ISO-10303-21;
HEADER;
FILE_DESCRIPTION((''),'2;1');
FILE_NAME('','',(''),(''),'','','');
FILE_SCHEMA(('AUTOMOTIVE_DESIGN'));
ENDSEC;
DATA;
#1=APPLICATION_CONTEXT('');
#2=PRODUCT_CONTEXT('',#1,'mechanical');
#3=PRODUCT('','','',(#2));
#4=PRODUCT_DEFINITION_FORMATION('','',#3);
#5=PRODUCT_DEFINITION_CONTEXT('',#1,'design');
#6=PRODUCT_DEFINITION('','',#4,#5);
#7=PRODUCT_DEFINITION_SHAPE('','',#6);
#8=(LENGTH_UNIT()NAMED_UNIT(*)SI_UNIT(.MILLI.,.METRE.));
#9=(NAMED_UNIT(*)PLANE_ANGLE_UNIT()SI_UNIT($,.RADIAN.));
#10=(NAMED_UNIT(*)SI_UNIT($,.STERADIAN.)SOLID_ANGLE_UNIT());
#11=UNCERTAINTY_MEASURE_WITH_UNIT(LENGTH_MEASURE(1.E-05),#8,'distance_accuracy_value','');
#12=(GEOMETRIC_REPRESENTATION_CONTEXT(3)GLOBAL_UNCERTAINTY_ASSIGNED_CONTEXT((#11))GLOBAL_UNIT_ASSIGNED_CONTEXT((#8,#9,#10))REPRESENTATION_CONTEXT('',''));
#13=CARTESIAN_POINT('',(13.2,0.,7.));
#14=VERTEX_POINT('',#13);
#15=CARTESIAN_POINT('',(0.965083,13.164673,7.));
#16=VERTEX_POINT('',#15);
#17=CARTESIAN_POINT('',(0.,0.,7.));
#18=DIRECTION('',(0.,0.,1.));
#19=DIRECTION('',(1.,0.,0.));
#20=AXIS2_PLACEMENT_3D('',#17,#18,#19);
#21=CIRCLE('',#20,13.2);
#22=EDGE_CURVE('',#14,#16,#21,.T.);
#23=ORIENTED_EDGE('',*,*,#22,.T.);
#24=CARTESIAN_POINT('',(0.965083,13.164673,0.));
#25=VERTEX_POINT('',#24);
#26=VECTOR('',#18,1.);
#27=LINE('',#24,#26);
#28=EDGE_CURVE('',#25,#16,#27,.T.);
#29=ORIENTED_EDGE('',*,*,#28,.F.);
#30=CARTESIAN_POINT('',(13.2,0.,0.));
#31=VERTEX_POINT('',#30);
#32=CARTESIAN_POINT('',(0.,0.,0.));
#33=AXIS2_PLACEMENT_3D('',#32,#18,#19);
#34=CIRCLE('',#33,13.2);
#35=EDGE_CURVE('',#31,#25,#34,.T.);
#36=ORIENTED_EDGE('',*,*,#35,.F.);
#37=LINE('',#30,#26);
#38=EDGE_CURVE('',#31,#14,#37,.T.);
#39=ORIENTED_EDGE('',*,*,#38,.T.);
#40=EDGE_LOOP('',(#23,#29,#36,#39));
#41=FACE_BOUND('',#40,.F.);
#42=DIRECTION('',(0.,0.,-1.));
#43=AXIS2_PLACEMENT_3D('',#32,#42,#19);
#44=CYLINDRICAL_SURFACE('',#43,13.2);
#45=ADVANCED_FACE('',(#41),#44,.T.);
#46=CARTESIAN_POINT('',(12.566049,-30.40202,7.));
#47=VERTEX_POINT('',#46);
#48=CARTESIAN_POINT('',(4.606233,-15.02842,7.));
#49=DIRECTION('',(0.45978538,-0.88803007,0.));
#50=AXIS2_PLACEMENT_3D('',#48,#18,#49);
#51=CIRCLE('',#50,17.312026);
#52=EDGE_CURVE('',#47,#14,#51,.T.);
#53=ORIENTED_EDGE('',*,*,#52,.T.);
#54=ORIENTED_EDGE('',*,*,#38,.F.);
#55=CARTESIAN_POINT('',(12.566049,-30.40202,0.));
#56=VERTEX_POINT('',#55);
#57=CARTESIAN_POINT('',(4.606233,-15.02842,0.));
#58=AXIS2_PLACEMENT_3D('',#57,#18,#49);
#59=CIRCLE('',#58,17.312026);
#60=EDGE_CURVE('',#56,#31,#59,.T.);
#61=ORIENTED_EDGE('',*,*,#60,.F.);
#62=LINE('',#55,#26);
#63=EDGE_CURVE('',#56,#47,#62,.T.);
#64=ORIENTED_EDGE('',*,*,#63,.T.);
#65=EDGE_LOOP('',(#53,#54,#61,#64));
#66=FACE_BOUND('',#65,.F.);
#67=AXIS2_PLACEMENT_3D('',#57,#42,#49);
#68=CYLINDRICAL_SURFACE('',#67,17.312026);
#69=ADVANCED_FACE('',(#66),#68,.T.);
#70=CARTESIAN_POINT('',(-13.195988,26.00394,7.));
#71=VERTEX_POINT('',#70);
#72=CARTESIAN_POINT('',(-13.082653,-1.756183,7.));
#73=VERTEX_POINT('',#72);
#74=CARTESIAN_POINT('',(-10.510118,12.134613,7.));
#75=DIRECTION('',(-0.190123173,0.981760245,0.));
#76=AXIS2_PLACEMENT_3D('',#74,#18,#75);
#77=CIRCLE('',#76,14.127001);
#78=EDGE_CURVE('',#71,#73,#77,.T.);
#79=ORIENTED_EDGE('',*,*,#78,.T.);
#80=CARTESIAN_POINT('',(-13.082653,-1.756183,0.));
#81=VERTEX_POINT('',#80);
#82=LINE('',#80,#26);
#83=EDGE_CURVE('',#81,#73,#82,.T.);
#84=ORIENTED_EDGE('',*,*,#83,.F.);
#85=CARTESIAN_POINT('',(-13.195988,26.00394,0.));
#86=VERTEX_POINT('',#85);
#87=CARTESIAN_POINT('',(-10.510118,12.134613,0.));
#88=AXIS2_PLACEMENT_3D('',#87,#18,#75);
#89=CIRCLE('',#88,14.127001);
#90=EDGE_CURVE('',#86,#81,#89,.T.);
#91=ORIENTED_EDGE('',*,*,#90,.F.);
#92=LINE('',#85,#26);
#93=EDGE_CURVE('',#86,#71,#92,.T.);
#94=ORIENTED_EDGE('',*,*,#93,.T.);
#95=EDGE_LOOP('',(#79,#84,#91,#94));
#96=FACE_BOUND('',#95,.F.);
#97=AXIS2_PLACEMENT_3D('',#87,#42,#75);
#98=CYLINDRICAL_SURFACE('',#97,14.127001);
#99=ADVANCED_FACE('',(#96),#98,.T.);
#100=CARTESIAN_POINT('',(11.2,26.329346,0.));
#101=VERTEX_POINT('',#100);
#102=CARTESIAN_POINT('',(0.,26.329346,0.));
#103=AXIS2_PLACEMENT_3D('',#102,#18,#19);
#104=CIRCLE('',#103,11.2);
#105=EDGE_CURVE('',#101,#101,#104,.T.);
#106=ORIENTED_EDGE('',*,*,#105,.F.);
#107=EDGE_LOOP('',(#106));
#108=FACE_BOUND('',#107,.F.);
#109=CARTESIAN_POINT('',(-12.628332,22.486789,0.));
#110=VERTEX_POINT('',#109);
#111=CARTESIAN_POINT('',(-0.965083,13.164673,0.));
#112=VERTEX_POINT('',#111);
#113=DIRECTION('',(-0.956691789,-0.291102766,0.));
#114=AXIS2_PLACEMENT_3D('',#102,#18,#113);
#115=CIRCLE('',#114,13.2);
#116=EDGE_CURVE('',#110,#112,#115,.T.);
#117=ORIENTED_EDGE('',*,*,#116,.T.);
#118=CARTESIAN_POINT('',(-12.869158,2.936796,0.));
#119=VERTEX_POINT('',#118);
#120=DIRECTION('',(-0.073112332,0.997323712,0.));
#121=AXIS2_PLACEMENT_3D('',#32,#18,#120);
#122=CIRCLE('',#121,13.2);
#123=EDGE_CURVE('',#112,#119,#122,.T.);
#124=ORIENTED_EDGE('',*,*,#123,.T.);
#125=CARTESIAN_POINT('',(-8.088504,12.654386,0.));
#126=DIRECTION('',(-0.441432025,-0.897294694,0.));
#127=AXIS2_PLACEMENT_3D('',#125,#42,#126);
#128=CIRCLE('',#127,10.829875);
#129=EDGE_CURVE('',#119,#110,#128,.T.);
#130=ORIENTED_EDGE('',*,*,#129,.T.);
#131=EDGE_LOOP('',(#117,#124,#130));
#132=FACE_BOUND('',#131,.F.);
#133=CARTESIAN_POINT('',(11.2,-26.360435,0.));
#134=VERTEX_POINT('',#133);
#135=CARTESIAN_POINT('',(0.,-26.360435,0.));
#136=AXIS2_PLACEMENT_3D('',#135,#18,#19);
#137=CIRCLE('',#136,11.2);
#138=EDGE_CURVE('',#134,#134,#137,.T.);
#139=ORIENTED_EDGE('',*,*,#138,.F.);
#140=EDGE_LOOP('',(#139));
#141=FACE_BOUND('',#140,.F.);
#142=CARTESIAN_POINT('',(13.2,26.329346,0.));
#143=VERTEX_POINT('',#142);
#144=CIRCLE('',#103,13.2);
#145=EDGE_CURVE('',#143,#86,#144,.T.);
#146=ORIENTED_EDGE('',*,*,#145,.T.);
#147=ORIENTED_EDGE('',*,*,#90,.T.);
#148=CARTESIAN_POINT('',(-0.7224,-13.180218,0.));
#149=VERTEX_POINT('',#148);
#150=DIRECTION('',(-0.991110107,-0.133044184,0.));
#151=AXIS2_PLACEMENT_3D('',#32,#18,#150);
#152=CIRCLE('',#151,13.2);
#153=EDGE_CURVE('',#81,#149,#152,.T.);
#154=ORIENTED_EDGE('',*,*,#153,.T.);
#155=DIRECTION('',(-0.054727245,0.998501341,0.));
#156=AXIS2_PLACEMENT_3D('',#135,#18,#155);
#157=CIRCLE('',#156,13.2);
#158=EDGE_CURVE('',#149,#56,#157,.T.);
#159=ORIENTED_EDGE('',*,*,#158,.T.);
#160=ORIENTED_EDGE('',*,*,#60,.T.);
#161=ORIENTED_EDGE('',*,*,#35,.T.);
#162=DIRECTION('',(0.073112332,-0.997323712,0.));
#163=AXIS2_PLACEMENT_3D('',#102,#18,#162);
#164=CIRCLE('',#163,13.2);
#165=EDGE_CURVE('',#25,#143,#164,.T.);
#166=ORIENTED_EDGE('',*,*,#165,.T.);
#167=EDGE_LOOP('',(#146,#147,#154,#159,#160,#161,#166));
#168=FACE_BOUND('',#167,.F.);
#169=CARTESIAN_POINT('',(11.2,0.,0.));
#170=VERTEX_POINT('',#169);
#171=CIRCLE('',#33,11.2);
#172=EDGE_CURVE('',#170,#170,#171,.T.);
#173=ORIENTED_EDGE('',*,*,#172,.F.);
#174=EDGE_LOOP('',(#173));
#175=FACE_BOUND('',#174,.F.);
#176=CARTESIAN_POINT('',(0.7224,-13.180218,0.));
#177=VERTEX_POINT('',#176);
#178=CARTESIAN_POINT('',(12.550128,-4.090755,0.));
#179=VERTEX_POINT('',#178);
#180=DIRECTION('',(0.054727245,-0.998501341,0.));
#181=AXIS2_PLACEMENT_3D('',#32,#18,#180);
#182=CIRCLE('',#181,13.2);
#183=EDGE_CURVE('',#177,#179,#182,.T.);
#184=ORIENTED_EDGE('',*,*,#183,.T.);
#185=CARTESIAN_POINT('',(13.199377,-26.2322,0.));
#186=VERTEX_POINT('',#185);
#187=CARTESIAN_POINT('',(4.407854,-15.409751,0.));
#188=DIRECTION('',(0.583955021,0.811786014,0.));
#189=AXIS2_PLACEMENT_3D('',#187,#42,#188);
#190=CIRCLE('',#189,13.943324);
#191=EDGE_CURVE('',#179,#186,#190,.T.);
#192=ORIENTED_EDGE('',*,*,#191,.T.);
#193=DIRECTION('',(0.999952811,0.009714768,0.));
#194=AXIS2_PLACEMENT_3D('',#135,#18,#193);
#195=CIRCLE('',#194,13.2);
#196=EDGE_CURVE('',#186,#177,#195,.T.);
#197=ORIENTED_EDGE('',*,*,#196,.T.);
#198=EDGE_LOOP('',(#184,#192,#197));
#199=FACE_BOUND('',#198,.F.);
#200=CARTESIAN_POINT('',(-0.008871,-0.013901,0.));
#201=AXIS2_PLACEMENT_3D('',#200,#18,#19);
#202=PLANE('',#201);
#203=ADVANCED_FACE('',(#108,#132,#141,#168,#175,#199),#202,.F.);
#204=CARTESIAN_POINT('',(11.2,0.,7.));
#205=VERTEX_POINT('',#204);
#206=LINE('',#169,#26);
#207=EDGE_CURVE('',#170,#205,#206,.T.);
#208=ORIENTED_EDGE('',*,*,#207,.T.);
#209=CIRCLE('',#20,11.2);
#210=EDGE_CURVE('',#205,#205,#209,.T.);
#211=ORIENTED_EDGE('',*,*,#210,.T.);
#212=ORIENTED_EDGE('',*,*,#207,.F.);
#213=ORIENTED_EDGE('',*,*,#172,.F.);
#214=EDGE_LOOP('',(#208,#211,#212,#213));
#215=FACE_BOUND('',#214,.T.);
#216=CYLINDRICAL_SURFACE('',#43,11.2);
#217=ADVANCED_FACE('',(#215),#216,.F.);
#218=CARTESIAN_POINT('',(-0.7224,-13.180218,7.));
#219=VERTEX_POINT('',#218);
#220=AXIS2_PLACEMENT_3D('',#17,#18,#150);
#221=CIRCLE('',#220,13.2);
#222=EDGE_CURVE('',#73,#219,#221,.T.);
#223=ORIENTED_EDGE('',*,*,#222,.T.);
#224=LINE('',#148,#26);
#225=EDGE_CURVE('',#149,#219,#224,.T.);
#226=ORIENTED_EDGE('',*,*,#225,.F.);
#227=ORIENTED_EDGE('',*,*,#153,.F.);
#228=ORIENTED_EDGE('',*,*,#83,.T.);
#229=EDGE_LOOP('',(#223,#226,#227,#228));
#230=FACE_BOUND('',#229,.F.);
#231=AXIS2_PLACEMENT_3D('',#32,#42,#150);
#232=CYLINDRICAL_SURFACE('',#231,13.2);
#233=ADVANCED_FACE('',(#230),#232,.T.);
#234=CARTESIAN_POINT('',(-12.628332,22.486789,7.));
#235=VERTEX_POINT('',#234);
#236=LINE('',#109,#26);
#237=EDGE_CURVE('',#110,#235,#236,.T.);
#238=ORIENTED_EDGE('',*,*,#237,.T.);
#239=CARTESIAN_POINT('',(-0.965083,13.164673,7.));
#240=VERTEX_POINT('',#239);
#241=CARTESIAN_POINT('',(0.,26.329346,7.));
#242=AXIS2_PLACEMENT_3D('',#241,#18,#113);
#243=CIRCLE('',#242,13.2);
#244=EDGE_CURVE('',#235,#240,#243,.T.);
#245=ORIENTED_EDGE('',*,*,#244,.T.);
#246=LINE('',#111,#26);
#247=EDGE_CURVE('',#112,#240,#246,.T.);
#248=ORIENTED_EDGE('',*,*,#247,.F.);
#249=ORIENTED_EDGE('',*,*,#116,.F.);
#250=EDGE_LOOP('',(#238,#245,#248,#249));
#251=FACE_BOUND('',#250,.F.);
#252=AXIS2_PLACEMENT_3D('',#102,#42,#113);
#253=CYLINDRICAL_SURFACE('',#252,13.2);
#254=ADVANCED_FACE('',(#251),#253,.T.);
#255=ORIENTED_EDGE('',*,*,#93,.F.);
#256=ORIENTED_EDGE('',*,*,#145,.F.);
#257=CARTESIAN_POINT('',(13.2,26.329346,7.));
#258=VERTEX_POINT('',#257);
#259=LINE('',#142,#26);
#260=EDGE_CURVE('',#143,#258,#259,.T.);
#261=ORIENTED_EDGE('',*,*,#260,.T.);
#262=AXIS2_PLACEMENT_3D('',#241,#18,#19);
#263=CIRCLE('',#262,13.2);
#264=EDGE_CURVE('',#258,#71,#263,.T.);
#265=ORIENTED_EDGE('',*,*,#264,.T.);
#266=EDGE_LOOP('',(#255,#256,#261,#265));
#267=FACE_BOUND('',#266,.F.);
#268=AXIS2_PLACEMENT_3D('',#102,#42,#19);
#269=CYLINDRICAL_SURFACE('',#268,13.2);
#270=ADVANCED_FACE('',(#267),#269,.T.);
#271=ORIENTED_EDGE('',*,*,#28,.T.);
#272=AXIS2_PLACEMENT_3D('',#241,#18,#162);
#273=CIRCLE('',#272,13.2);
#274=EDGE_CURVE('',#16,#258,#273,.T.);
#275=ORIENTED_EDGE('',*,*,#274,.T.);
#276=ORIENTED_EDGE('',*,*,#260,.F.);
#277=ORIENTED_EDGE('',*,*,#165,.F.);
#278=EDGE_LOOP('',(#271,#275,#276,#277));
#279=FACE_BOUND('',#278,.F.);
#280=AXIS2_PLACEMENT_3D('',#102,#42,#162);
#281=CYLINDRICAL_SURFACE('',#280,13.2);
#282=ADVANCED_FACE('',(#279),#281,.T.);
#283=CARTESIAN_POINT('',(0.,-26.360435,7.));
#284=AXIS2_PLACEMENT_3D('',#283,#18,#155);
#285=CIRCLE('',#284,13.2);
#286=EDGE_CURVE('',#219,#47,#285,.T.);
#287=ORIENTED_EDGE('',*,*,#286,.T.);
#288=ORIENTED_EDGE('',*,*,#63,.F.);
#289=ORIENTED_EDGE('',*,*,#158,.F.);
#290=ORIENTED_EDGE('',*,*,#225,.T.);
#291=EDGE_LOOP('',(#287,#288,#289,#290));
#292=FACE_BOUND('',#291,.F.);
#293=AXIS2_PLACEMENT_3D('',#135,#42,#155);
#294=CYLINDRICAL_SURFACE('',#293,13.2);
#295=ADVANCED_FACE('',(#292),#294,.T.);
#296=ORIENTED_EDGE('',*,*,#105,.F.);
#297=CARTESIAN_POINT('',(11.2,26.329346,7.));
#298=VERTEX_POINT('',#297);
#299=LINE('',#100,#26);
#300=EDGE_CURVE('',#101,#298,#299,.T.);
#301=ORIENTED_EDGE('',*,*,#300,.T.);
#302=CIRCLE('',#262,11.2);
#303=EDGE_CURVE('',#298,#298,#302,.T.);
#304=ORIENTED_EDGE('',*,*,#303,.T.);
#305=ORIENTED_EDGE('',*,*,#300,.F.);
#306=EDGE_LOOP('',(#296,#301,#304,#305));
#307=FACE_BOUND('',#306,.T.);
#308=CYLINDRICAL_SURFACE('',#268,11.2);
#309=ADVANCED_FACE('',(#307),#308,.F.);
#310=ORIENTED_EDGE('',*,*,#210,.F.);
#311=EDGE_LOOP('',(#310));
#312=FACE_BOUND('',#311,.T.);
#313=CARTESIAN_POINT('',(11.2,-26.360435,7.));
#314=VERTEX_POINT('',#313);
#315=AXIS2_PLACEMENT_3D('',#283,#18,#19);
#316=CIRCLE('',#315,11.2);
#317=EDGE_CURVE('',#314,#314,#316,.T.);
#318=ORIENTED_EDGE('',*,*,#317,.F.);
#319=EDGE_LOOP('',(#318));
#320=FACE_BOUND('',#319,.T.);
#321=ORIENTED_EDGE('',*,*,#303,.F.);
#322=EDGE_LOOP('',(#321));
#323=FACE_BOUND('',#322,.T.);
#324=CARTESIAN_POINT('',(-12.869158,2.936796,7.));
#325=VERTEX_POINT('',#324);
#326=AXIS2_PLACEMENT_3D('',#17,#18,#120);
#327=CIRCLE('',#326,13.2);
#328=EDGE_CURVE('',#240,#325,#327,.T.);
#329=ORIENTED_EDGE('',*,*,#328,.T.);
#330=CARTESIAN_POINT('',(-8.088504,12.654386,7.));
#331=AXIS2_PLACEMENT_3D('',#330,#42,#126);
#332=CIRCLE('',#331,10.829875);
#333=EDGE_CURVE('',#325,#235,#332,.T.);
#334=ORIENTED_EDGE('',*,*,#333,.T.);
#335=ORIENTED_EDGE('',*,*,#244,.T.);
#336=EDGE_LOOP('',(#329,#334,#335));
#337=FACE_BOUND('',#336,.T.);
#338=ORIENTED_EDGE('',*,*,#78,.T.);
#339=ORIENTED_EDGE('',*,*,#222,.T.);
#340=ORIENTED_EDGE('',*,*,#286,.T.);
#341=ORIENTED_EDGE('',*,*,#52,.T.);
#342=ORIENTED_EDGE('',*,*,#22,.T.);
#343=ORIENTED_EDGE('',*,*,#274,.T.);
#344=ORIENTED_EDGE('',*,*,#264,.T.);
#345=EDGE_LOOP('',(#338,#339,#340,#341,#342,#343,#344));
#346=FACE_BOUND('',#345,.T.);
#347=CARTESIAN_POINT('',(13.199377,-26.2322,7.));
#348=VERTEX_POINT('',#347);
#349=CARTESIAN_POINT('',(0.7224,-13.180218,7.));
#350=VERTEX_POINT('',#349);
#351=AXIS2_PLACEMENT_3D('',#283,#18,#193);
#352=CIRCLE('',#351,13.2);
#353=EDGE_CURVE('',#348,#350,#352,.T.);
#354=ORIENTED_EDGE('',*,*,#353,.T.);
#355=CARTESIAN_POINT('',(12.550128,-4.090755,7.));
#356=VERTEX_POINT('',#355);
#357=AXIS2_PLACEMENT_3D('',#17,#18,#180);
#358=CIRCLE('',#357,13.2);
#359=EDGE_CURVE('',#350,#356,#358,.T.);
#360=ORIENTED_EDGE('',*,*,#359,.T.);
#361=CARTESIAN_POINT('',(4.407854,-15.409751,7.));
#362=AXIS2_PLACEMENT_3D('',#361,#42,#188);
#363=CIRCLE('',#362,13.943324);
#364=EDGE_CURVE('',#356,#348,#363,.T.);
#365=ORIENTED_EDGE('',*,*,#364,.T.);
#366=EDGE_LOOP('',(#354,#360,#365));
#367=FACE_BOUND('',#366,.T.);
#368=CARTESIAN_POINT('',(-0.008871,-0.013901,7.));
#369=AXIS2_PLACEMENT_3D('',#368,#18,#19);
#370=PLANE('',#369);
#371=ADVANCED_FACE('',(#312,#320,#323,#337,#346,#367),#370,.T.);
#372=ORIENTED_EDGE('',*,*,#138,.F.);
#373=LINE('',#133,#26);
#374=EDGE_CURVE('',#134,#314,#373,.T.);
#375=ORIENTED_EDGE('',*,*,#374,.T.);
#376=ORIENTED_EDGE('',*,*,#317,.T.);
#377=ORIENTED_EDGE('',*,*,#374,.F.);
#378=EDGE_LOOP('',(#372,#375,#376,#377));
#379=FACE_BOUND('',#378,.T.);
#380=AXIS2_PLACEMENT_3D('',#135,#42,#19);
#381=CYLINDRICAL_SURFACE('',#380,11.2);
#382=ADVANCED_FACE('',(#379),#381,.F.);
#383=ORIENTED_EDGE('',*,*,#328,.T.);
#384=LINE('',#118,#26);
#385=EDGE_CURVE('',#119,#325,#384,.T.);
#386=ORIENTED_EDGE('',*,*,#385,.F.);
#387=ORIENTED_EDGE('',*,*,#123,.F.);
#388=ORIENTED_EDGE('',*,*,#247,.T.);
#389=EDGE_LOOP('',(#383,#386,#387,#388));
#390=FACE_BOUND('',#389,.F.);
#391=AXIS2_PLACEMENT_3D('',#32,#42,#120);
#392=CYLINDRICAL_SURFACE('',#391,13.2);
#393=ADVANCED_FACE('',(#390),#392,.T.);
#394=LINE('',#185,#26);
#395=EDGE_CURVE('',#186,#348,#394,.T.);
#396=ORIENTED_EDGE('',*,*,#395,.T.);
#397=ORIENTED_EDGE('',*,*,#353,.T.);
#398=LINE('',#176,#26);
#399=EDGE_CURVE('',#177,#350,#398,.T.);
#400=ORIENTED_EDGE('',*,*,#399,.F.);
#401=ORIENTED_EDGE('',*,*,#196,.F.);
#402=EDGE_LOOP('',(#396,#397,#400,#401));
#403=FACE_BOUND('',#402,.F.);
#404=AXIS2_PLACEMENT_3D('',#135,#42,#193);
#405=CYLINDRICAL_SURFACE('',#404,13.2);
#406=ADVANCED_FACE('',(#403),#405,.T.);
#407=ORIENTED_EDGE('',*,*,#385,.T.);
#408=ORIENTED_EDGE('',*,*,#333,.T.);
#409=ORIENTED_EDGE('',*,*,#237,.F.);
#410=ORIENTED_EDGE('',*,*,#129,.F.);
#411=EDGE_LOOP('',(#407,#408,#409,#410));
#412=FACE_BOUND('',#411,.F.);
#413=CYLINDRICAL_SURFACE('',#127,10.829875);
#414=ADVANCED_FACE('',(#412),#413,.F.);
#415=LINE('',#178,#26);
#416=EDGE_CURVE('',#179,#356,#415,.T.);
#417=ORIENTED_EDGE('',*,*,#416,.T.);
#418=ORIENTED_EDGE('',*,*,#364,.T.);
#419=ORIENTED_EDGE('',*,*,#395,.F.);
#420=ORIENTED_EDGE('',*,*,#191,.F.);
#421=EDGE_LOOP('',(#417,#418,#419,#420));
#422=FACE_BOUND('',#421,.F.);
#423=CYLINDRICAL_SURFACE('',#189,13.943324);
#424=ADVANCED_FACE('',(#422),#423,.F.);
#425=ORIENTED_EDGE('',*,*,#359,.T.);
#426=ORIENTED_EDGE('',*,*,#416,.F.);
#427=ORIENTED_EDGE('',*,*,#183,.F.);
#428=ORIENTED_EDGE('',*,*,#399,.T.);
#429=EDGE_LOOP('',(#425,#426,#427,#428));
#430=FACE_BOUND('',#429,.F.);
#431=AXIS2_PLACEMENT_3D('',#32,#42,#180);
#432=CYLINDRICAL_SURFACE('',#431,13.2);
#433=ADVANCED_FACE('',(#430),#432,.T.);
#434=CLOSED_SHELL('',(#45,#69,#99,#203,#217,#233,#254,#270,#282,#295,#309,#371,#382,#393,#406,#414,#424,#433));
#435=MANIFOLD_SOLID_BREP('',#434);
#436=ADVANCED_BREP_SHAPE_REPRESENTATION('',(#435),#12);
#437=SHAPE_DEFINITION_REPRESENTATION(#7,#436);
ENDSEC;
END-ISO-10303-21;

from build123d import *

# Parameters (mm, degrees)
F0_R     = 11.2
F1_DEPTH = 7


with BuildPart() as f1:
    # F0 (on Top) → F1 (new body)
    with BuildSketch(Plane.XY):
        with BuildLine():
            ThreePointArc((-0.9650827881, 13.1646730006), (-8.6022624346, 10.012046794), (-12.8691579618, 2.9367964443))
            ThreePointArc((-12.8691579618, 2.9367964443), (-13.1863620091, 0.599880793), (-13.0826534178, -1.7561832335))
            ThreePointArc((-13.0826534178, -1.7561832335), (-8.9594650145, -9.693708612), (-0.722399634, -13.1802177057))
            ThreePointArc((-0.722399634, -13.1802177057), (0, -13.1604354113), (0.722399634, -13.1802177057))
            ThreePointArc((0.722399634, -13.1802177057), (8.0432942537, -10.4663946777), (12.5501283831, -4.0907551342))
            ThreePointArc((12.5501283831, -4.0907551342), (13.0365197552, -2.0710269606), (13.2, 0))
            ThreePointArc((13.2, 0), (9.6689992451, 8.9861256167), (0.9650827881, 13.1646730006))
            ThreePointArc((0.9650827881, 13.1646730006), (0, 13.1293460011), (-0.9650827881, 13.1646730006))
        make_face()
        Circle(F0_R, mode=Mode.SUBTRACT)
        with BuildLine():
            ThreePointArc((-13.0826534178, -1.7561832335), (-13.1863620091, 0.599880793), (-12.8691579618, 2.9367964443))
            ThreePointArc((-12.8691579618, 2.9367964443), (-18.9175577348, 12.787783411), (-12.6283316175, 22.4867894878))
            ThreePointArc((-12.6283316175, 22.4867894878), (-13.0313646183, 24.2261255691), (-13.1959884441, 26.0039401262))
            ThreePointArc((-13.1959884441, 26.0039401262), (-24.637001113, 12.0769373767), (-13.0826534178, -1.7561832335))
        make_face()
        with BuildLine():
            ThreePointArc((-12.6283316175, 22.4867894878), (-8.2414011401, 16.0182205898), (-0.9650827881, 13.1646730006))
            ThreePointArc((-0.9650827881, 13.1646730006), (0, 13.2), (0.9650827881, 13.1646730006))
            ThreePointArc((0.9650827881, 13.1646730006), (9.6689992451, 17.3432203845), (13.2, 26.3293460011))
            ThreePointArc((13.2, 26.3293460011), (-0.1627153004, 39.5283430741), (-13.1959884441, 26.0039401262))
            ThreePointArc((-13.1959884441, 26.0039401262), (-13.0313646183, 24.2261255691), (-12.6283316175, 22.4867894878))
        make_face()
        with Locations((0, 26.3293460011)):
            Circle(F0_R, mode=Mode.SUBTRACT)
        with BuildLine():
            ThreePointArc((0.9650827881, 13.1646730006), (0, 13.2), (-0.9650827881, 13.1646730006))
            ThreePointArc((-0.9650827881, 13.1646730006), (0, 13.1293460011), (0.9650827881, 13.1646730006))
        make_face()
        with BuildLine():
            ThreePointArc((0.722399634, -13.1802177057), (0, -13.1604354113), (-0.722399634, -13.1802177057))
            ThreePointArc((-0.722399634, -13.1802177057), (0, -13.2), (0.722399634, -13.1802177057))
        make_face()
        with BuildLine():
            ThreePointArc((0.722399634, -13.1802177057), (0, -13.2), (-0.722399634, -13.1802177057))
            ThreePointArc((-0.722399634, -13.1802177057), (-10.4506279527, -34.4242047158), (12.566049408, -30.4020195408))
            ThreePointArc((12.566049408, -30.4020195408), (13.0405493018, -28.4059363053), (13.2, -26.3604354113))
            ThreePointArc((13.2, -26.3604354113), (13.1998442738, -26.2963171862), (13.199377099, -26.2322004739))
            ThreePointArc((13.199377099, -26.2322004739), (9.5416209523, -17.2391707181), (0.722399634, -13.1802177057))
        make_face()
        with Locations((0, -26.3604354113)):
            Circle(F0_R, mode=Mode.SUBTRACT)
        with BuildLine():
            ThreePointArc((13.2, -26.3604354113), (13.0405493018, -28.4059363053), (12.566049408, -30.4020195408))
            ThreePointArc((12.566049408, -30.4020195408), (21.9144963269, -15.3893362984), (13.2, 0))
            ThreePointArc((13.2, 0), (13.0365197552, -2.0710269606), (12.5501283831, -4.0907551342))
            ThreePointArc((12.5501283831, -4.0907551342), (18.3451878997, -15.001069441), (13.199377099, -26.2322004739))
            ThreePointArc((13.199377099, -26.2322004739), (13.1998442738, -26.2963171862), (13.2, -26.3604354113))
        make_face()
    extrude(amount=F1_DEPTH)


solid = f1.part
